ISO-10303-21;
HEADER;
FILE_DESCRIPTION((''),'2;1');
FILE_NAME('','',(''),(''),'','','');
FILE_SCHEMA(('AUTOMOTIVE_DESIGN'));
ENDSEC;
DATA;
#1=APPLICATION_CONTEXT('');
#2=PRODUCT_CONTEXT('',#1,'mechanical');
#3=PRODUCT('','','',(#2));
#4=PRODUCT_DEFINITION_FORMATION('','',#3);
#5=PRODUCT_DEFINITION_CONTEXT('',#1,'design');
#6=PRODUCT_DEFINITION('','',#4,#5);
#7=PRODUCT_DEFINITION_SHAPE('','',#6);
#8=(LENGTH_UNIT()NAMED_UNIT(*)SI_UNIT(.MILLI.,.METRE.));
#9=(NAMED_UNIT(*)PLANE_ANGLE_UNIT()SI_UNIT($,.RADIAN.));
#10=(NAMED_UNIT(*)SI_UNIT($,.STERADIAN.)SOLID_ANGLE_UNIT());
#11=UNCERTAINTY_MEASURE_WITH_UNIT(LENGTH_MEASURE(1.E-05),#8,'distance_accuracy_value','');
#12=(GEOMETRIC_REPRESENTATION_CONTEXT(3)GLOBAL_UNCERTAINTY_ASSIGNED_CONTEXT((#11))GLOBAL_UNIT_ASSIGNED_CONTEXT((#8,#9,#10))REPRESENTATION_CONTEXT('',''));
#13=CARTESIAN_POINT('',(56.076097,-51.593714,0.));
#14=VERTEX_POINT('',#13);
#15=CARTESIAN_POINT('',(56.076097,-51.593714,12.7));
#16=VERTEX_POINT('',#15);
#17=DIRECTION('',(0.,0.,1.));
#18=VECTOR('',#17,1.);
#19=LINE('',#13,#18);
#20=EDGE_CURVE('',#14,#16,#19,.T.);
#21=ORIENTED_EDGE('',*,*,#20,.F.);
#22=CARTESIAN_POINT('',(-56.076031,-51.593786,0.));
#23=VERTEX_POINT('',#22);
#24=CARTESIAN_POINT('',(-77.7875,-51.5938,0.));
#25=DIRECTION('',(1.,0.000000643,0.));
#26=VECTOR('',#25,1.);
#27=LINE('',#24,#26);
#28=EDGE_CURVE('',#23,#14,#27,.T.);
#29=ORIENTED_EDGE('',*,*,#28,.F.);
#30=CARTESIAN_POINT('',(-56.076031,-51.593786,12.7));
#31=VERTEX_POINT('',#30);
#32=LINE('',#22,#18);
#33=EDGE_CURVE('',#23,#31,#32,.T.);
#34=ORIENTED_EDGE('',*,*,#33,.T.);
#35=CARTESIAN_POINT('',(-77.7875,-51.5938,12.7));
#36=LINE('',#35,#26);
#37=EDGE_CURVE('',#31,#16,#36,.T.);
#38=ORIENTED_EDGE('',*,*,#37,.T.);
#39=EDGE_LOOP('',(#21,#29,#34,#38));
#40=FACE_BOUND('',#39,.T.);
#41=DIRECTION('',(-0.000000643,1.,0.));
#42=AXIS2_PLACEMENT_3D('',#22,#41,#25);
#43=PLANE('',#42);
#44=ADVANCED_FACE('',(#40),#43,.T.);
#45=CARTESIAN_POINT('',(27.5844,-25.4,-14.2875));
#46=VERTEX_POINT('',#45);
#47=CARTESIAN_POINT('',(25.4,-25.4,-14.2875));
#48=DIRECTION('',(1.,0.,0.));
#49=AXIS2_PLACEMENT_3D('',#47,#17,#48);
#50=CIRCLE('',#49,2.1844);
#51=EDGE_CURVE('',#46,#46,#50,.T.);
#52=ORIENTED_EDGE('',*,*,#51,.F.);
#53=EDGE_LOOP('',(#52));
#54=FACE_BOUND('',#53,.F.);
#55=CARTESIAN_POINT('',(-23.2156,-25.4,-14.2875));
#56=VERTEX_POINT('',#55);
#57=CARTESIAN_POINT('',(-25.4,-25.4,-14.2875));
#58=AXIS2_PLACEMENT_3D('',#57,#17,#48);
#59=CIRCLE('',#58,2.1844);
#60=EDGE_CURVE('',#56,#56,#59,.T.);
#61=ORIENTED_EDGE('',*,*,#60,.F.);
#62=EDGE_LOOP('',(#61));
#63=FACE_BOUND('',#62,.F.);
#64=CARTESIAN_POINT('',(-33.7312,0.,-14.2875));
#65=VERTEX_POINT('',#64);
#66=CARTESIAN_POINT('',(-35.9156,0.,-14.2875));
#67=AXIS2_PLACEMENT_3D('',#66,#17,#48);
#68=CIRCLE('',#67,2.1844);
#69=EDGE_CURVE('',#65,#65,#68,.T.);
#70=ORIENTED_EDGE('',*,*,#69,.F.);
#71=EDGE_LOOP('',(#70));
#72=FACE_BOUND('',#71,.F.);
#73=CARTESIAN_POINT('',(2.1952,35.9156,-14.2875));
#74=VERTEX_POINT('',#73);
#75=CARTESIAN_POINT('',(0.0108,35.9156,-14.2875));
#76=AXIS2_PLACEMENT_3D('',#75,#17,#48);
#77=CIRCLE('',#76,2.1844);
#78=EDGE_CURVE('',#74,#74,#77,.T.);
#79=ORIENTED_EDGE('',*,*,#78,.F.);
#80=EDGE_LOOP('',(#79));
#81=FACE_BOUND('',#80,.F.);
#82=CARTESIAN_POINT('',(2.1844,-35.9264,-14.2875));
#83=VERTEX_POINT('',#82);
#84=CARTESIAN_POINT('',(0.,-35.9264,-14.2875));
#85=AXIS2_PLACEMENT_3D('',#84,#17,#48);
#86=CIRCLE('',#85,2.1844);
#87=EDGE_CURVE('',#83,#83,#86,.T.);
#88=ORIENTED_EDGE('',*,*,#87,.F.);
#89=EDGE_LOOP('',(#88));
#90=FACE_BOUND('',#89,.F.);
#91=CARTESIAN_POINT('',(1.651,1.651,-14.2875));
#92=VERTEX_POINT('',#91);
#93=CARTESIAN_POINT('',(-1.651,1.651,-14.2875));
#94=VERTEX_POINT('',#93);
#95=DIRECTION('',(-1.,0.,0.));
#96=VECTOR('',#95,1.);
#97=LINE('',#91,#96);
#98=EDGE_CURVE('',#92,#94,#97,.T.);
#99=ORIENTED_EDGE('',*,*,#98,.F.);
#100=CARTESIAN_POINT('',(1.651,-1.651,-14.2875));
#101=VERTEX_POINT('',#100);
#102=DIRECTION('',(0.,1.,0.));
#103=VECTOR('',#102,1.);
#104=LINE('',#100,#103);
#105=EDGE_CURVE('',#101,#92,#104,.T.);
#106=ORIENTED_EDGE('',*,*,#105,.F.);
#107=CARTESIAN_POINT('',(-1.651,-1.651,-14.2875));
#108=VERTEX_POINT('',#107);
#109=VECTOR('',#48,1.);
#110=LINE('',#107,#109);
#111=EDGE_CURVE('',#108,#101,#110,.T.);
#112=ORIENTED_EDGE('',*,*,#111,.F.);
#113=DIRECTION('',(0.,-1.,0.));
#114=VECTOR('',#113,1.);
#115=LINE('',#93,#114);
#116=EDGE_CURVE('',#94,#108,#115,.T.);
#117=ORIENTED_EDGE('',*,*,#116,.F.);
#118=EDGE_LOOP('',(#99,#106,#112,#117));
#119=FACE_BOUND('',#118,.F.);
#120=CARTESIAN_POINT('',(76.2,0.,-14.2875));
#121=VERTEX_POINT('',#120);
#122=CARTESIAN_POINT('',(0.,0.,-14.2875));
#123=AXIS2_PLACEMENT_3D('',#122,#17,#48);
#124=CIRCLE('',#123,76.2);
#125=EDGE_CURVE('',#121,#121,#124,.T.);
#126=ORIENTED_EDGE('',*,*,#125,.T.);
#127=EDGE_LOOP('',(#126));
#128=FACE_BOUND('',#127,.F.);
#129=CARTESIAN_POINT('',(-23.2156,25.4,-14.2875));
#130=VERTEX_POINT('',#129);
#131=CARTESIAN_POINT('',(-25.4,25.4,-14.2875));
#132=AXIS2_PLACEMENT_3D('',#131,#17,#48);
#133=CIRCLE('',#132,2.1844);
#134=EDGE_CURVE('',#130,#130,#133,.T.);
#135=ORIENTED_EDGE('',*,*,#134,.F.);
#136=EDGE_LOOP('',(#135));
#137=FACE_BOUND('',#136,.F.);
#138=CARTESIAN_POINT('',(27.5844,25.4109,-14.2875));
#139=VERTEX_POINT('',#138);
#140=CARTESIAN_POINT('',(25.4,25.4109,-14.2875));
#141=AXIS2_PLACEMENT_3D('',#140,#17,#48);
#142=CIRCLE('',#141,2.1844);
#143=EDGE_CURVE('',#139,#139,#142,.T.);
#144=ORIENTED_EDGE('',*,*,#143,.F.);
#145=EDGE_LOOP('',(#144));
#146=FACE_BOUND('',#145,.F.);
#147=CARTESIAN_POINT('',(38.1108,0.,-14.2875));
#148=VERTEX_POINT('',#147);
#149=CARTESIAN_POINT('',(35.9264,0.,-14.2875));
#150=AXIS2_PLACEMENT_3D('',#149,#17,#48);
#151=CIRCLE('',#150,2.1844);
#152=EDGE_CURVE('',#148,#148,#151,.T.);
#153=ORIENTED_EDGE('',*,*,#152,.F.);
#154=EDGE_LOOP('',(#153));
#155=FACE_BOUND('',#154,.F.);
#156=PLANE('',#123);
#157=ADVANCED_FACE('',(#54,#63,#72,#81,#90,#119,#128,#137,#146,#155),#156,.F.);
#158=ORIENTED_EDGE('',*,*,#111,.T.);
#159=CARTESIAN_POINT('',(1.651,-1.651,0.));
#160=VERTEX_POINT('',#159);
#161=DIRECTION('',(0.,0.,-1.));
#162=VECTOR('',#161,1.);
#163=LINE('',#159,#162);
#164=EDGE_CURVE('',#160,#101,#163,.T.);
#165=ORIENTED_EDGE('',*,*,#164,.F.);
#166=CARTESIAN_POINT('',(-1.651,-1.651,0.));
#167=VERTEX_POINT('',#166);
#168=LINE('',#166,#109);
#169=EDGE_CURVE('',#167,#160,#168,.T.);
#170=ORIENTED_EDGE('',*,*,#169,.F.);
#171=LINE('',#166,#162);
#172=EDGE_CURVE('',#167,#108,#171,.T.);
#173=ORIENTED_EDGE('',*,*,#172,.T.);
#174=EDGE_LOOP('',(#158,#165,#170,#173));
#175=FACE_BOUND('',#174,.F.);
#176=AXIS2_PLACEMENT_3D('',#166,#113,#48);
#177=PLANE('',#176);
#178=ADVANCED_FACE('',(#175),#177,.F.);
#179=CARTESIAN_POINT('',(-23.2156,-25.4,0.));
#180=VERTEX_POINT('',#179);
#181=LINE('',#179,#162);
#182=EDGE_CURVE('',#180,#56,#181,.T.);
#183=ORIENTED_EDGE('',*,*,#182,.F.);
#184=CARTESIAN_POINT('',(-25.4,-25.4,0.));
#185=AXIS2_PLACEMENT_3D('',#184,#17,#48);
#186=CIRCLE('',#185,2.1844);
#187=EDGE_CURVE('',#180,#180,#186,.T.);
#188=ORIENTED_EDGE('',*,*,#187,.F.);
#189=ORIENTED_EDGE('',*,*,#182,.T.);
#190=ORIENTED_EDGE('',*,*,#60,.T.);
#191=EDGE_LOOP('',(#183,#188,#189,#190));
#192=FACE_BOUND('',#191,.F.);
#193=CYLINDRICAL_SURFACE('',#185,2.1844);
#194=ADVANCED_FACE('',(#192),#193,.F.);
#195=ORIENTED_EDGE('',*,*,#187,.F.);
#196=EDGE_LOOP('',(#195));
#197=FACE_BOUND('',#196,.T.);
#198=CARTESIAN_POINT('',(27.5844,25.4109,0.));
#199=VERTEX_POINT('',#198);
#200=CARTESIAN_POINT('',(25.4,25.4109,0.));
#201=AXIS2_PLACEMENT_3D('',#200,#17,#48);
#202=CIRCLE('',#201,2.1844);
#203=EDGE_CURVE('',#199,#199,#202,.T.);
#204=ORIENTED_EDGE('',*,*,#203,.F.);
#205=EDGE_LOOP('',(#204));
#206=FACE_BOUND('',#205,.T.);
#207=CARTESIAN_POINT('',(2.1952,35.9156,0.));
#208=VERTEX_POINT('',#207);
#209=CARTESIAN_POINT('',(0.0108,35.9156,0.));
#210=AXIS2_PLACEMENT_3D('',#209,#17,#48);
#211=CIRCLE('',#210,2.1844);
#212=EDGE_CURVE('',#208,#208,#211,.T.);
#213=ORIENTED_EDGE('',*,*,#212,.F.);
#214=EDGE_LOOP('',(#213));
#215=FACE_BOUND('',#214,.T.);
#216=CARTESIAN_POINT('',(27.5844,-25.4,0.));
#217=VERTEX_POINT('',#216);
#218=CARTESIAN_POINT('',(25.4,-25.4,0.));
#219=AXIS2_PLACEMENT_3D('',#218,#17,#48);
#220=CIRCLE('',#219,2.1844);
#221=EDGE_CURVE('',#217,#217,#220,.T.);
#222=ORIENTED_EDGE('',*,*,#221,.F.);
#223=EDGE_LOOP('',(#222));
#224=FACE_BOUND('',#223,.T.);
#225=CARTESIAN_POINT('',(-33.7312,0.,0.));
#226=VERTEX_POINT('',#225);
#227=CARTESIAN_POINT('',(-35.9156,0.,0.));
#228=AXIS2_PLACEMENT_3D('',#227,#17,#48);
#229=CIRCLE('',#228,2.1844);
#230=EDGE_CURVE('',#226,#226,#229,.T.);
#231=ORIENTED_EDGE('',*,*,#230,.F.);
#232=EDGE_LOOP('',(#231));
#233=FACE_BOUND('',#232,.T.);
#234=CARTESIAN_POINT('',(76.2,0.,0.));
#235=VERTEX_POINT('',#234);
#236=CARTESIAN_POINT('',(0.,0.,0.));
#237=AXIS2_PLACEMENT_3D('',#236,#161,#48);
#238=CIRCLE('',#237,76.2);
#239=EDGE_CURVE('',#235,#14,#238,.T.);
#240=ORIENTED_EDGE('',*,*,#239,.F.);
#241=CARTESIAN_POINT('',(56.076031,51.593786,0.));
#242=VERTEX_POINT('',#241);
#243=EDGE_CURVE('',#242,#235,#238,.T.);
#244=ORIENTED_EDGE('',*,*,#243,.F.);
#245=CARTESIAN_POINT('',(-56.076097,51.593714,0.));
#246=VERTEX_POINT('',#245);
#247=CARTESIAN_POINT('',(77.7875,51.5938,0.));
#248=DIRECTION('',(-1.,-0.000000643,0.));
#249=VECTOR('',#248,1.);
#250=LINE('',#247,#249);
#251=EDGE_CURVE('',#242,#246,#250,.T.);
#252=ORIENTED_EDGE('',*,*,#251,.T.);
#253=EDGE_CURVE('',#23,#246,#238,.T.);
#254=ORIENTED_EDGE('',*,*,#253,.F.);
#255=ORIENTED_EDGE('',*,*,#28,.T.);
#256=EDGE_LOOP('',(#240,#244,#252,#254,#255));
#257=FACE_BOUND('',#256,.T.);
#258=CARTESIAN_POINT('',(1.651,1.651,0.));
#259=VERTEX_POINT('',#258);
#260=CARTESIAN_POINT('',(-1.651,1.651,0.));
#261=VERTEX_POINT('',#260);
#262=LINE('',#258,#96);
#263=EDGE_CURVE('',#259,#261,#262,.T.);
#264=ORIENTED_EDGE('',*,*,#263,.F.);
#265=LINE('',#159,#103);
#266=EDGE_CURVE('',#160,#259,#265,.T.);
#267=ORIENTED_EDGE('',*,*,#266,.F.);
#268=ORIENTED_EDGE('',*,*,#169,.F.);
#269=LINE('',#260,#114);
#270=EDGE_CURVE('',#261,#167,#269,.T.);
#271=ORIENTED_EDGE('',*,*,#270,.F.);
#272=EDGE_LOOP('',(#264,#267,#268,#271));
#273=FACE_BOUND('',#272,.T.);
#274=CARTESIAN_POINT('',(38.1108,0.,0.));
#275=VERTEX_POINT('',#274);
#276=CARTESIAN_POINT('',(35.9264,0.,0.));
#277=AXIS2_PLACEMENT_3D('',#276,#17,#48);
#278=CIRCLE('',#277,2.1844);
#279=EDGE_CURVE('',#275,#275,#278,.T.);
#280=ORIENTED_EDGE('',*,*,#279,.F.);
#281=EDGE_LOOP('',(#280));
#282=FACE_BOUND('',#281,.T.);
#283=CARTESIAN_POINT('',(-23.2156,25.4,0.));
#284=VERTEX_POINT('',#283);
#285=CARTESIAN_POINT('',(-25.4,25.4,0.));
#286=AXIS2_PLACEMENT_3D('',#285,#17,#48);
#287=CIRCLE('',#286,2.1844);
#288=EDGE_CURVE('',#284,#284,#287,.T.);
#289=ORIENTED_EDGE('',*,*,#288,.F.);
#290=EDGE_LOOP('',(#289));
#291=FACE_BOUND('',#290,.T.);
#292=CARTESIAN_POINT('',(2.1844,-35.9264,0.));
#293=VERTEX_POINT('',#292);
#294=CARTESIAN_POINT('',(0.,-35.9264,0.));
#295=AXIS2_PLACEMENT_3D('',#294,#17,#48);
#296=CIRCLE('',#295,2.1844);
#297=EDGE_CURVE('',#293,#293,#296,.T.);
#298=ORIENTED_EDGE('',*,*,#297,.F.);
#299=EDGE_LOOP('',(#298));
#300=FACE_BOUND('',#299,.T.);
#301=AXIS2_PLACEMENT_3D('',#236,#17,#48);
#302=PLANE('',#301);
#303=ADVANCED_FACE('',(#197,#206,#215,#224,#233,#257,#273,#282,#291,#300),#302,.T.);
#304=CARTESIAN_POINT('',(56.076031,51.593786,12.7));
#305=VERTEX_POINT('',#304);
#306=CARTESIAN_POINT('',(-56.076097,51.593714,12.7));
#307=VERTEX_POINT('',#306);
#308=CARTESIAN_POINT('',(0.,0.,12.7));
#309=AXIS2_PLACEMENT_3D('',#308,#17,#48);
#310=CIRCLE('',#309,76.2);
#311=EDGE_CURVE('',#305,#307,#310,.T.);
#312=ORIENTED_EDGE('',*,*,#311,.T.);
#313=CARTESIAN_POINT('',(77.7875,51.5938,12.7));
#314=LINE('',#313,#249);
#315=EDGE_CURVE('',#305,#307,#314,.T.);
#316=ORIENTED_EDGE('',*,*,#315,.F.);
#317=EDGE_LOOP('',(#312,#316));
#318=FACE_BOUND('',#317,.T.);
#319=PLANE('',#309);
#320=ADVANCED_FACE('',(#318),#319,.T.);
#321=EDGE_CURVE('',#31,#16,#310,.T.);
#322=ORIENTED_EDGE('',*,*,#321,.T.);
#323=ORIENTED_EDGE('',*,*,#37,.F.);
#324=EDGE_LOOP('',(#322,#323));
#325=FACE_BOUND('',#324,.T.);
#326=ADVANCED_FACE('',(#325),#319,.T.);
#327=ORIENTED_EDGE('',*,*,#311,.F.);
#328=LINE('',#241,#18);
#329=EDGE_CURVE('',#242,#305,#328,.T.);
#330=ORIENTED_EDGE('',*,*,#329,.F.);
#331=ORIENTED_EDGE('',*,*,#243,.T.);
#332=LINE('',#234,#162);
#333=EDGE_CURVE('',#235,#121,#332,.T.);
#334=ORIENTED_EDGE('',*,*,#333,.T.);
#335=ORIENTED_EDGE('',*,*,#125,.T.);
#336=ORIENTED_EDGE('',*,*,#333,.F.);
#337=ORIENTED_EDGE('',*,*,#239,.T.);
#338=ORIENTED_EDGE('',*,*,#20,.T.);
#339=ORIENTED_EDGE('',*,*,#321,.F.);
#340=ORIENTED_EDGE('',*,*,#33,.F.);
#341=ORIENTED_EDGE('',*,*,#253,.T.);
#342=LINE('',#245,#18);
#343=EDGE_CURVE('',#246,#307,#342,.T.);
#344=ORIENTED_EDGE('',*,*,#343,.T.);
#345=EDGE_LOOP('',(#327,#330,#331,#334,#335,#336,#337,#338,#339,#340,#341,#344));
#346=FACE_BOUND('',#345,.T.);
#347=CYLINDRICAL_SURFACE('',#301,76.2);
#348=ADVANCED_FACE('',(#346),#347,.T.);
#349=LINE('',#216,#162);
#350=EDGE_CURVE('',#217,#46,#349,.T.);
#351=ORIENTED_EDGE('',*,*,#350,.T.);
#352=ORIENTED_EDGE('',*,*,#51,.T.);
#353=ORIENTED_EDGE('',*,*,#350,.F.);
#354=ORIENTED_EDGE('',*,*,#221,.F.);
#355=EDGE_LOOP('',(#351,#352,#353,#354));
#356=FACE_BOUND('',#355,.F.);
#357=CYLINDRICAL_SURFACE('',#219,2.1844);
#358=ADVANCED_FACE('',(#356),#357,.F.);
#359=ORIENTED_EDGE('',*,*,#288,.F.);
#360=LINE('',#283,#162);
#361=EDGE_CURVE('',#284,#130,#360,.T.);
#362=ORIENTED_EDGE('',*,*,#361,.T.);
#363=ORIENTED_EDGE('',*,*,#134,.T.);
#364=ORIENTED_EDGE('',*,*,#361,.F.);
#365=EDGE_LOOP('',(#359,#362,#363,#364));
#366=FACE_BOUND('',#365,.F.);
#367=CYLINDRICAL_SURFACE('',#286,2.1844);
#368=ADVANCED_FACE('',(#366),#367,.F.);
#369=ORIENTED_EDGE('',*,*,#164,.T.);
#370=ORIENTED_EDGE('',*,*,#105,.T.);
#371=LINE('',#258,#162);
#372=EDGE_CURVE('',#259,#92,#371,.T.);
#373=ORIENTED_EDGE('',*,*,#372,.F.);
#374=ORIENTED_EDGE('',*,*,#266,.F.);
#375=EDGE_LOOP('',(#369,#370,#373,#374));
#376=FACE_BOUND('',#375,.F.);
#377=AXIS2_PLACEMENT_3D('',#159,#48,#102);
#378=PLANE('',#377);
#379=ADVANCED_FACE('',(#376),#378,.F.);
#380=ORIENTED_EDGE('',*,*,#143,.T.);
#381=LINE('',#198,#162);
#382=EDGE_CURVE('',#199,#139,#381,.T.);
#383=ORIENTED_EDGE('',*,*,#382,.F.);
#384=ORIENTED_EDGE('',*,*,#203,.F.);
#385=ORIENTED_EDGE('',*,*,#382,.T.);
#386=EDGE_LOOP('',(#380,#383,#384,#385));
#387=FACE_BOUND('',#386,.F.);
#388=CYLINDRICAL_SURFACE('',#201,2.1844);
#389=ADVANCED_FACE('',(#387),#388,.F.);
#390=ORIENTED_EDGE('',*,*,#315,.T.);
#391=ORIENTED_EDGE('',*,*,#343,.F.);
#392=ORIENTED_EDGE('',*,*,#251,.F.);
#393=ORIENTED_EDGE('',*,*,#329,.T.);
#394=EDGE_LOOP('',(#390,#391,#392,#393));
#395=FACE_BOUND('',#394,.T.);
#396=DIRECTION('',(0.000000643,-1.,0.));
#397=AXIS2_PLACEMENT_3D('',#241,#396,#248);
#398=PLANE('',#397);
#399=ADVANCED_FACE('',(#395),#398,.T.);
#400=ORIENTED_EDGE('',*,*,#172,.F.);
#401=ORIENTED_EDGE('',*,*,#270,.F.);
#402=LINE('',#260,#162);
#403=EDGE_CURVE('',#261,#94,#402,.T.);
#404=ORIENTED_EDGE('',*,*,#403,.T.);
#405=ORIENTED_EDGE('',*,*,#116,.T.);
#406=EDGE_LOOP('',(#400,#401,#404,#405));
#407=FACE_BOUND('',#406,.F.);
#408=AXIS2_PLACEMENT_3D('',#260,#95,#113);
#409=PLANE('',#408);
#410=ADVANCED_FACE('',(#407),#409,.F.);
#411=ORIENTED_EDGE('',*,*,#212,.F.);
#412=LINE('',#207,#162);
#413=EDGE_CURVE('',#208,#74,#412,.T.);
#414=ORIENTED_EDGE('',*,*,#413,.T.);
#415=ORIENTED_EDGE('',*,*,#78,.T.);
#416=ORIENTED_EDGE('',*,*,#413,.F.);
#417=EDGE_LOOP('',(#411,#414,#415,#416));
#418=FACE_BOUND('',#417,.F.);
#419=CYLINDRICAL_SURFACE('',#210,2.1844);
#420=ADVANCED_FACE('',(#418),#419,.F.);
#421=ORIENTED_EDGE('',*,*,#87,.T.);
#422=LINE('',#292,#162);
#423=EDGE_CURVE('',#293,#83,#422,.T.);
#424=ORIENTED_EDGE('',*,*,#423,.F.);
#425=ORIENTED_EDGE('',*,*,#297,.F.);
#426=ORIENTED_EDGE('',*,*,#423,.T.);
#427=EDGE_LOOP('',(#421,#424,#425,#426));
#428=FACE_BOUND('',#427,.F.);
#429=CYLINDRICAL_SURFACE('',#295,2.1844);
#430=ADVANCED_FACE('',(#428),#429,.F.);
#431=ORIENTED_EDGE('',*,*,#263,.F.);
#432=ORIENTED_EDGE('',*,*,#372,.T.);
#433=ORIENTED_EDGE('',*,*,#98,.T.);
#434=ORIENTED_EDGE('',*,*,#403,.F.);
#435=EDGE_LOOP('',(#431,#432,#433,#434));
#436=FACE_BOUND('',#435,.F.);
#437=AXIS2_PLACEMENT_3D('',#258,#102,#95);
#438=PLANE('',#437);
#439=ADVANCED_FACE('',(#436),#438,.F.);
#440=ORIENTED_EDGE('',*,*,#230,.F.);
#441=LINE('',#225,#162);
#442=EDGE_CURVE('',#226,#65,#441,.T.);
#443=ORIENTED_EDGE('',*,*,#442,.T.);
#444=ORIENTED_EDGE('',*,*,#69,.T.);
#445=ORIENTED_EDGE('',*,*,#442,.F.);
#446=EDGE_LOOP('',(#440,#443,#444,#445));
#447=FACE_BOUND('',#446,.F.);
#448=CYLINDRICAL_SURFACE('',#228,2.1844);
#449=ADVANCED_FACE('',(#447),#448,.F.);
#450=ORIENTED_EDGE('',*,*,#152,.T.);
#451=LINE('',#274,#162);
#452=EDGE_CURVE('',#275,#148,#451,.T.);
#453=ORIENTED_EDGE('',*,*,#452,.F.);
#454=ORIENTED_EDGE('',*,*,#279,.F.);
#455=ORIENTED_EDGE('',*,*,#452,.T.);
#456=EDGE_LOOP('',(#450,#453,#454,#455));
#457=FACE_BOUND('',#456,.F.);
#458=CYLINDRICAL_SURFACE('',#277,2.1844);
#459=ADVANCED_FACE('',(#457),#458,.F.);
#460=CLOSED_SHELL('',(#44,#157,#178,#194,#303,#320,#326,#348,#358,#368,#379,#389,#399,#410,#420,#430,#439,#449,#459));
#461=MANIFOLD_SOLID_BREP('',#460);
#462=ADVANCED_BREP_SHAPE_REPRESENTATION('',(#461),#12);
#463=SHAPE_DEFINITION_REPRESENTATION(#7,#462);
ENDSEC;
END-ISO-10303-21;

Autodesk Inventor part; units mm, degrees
ref_plane "YZ Plane" through (0, 0, 0) normal (1, 0, 0) x (0, 1, 0)
ref_plane "XZ Plane" through (0, 0, 0) normal (0, 1, 0) x (-1, 0, 0)
ref_plane "XY Plane" through (0, 0, 0) normal (0, 0, 1) x (1, 0, 0)
sketch "Sketch1" plane through (0, 0, 0) normal (0, 0, 1) x (1, 0, 0)
  circle A0 centre (0, 0) radius 76.2
  circle A1 centre (-25.4, 25.4) radius 2.1844
  circle A2 centre (25.4, 25.4109) radius 2.1844
  circle A3 centre (-25.4, -25.4) radius 2.1844
  circle A4 centre (25.4, -25.4) radius 2.1844
  circle A5 centre (0.0108, 35.9156) radius 2.1844
  circle A6 centre (35.9264, 0) radius 2.1844
  circle A7 centre (-35.9156, 0) radius 2.1844
  circle A8 centre (0, -35.9264) radius 2.1844
  circle A9 centre (0, 0) radius 77.7875
  line L0 (77.7875, 51.5938) -> (-77.7875, 51.5937)
  line L1 (-77.7875, 51.5937) -> (-77.7875, -51.5938)
  line L2 (-77.7875, -51.5938) -> (77.7875, -51.5937)
  line L3 (77.7875, -51.5937) -> (77.7875, 51.5938)
  line L4 (1.651, 1.651) -> (-1.651, 1.651)
  line L5 (-1.651, 1.651) -> (-1.651, -1.651)
  line L6 (-1.651, -1.651) -> (1.651, -1.651)
  line L7 (1.651, -1.651) -> (1.651, 1.651)
  point P0 (56.0761, -51.5937)
  point P1 (-56.0761, -51.5938)
  point P2 (-56.0761, 51.5938)
  point P3 (56.0761, 51.5938)
  point P4 (-58.2149, 51.5938)
  point P5 (-56.0761, 51.5938)
  point P6 (56.0761, 51.5938)
  point P7 (58.2149, 51.5938)
  point P8 (56.0761, -51.5937)
  point P9 (58.2149, -51.5937)
  point P10 (-58.2149, -51.5938)
  point P11 (-56.0761, -51.5938)
  dimension "d0" = 152.4
  dimension "d5" = 4.3688
  dimension "d6" = 4.3688
  dimension "d7" = 4.3688
  dimension "d8" = 4.3688
  dimension "d15" = 4.3688
  dimension "d16" = 4.3688
  dimension "d17" = 4.3688
  dimension "d18" = 4.3688
  dimension "d19" = 155.575
  dimension "d20" = 35.9156
  dimension "d21" = 35.921
  dimension "d22" = 25.3892
  dimension "d23" = 25.4108
  dimension "d24" = 25.4
  dimension "d25" = 25.4
  dimension "d26" = 25.4
  dimension "d27" = 25.4
  dimension "d28" = 25.4
  dimension "d29" = 25.4108
  dimension "d30" = 25.4
  dimension "d31" = 35.9156
  dimension "d32" = 25.4
  dimension "d33" = 35.9265
  dimension "d34" = 25.4
  dimension "d35" = 35.9265
  dimension "d38" = 155.575
  dimension "d39" = 103.1875
  dimension "d40" = 51.5938
  dimension "d41" = 77.7875
  dimension "d47" = 3.302
  dimension "d48" = 3.302
  dimension "d49" = 1.651
  dimension "d50" = 1.651
  dimension "d64" = 71.8421
extrude "Extrusion6" add sketch "Sketch1" against normal blind 14.2875 contours A0 L2 L0 | L0 A0 | A0 L2
extrude "Extrusion8" add sketch "Sketch1" along normal blind 12.7 contours L0 A0 | A0 L2
properties part number "rocker wheel"
